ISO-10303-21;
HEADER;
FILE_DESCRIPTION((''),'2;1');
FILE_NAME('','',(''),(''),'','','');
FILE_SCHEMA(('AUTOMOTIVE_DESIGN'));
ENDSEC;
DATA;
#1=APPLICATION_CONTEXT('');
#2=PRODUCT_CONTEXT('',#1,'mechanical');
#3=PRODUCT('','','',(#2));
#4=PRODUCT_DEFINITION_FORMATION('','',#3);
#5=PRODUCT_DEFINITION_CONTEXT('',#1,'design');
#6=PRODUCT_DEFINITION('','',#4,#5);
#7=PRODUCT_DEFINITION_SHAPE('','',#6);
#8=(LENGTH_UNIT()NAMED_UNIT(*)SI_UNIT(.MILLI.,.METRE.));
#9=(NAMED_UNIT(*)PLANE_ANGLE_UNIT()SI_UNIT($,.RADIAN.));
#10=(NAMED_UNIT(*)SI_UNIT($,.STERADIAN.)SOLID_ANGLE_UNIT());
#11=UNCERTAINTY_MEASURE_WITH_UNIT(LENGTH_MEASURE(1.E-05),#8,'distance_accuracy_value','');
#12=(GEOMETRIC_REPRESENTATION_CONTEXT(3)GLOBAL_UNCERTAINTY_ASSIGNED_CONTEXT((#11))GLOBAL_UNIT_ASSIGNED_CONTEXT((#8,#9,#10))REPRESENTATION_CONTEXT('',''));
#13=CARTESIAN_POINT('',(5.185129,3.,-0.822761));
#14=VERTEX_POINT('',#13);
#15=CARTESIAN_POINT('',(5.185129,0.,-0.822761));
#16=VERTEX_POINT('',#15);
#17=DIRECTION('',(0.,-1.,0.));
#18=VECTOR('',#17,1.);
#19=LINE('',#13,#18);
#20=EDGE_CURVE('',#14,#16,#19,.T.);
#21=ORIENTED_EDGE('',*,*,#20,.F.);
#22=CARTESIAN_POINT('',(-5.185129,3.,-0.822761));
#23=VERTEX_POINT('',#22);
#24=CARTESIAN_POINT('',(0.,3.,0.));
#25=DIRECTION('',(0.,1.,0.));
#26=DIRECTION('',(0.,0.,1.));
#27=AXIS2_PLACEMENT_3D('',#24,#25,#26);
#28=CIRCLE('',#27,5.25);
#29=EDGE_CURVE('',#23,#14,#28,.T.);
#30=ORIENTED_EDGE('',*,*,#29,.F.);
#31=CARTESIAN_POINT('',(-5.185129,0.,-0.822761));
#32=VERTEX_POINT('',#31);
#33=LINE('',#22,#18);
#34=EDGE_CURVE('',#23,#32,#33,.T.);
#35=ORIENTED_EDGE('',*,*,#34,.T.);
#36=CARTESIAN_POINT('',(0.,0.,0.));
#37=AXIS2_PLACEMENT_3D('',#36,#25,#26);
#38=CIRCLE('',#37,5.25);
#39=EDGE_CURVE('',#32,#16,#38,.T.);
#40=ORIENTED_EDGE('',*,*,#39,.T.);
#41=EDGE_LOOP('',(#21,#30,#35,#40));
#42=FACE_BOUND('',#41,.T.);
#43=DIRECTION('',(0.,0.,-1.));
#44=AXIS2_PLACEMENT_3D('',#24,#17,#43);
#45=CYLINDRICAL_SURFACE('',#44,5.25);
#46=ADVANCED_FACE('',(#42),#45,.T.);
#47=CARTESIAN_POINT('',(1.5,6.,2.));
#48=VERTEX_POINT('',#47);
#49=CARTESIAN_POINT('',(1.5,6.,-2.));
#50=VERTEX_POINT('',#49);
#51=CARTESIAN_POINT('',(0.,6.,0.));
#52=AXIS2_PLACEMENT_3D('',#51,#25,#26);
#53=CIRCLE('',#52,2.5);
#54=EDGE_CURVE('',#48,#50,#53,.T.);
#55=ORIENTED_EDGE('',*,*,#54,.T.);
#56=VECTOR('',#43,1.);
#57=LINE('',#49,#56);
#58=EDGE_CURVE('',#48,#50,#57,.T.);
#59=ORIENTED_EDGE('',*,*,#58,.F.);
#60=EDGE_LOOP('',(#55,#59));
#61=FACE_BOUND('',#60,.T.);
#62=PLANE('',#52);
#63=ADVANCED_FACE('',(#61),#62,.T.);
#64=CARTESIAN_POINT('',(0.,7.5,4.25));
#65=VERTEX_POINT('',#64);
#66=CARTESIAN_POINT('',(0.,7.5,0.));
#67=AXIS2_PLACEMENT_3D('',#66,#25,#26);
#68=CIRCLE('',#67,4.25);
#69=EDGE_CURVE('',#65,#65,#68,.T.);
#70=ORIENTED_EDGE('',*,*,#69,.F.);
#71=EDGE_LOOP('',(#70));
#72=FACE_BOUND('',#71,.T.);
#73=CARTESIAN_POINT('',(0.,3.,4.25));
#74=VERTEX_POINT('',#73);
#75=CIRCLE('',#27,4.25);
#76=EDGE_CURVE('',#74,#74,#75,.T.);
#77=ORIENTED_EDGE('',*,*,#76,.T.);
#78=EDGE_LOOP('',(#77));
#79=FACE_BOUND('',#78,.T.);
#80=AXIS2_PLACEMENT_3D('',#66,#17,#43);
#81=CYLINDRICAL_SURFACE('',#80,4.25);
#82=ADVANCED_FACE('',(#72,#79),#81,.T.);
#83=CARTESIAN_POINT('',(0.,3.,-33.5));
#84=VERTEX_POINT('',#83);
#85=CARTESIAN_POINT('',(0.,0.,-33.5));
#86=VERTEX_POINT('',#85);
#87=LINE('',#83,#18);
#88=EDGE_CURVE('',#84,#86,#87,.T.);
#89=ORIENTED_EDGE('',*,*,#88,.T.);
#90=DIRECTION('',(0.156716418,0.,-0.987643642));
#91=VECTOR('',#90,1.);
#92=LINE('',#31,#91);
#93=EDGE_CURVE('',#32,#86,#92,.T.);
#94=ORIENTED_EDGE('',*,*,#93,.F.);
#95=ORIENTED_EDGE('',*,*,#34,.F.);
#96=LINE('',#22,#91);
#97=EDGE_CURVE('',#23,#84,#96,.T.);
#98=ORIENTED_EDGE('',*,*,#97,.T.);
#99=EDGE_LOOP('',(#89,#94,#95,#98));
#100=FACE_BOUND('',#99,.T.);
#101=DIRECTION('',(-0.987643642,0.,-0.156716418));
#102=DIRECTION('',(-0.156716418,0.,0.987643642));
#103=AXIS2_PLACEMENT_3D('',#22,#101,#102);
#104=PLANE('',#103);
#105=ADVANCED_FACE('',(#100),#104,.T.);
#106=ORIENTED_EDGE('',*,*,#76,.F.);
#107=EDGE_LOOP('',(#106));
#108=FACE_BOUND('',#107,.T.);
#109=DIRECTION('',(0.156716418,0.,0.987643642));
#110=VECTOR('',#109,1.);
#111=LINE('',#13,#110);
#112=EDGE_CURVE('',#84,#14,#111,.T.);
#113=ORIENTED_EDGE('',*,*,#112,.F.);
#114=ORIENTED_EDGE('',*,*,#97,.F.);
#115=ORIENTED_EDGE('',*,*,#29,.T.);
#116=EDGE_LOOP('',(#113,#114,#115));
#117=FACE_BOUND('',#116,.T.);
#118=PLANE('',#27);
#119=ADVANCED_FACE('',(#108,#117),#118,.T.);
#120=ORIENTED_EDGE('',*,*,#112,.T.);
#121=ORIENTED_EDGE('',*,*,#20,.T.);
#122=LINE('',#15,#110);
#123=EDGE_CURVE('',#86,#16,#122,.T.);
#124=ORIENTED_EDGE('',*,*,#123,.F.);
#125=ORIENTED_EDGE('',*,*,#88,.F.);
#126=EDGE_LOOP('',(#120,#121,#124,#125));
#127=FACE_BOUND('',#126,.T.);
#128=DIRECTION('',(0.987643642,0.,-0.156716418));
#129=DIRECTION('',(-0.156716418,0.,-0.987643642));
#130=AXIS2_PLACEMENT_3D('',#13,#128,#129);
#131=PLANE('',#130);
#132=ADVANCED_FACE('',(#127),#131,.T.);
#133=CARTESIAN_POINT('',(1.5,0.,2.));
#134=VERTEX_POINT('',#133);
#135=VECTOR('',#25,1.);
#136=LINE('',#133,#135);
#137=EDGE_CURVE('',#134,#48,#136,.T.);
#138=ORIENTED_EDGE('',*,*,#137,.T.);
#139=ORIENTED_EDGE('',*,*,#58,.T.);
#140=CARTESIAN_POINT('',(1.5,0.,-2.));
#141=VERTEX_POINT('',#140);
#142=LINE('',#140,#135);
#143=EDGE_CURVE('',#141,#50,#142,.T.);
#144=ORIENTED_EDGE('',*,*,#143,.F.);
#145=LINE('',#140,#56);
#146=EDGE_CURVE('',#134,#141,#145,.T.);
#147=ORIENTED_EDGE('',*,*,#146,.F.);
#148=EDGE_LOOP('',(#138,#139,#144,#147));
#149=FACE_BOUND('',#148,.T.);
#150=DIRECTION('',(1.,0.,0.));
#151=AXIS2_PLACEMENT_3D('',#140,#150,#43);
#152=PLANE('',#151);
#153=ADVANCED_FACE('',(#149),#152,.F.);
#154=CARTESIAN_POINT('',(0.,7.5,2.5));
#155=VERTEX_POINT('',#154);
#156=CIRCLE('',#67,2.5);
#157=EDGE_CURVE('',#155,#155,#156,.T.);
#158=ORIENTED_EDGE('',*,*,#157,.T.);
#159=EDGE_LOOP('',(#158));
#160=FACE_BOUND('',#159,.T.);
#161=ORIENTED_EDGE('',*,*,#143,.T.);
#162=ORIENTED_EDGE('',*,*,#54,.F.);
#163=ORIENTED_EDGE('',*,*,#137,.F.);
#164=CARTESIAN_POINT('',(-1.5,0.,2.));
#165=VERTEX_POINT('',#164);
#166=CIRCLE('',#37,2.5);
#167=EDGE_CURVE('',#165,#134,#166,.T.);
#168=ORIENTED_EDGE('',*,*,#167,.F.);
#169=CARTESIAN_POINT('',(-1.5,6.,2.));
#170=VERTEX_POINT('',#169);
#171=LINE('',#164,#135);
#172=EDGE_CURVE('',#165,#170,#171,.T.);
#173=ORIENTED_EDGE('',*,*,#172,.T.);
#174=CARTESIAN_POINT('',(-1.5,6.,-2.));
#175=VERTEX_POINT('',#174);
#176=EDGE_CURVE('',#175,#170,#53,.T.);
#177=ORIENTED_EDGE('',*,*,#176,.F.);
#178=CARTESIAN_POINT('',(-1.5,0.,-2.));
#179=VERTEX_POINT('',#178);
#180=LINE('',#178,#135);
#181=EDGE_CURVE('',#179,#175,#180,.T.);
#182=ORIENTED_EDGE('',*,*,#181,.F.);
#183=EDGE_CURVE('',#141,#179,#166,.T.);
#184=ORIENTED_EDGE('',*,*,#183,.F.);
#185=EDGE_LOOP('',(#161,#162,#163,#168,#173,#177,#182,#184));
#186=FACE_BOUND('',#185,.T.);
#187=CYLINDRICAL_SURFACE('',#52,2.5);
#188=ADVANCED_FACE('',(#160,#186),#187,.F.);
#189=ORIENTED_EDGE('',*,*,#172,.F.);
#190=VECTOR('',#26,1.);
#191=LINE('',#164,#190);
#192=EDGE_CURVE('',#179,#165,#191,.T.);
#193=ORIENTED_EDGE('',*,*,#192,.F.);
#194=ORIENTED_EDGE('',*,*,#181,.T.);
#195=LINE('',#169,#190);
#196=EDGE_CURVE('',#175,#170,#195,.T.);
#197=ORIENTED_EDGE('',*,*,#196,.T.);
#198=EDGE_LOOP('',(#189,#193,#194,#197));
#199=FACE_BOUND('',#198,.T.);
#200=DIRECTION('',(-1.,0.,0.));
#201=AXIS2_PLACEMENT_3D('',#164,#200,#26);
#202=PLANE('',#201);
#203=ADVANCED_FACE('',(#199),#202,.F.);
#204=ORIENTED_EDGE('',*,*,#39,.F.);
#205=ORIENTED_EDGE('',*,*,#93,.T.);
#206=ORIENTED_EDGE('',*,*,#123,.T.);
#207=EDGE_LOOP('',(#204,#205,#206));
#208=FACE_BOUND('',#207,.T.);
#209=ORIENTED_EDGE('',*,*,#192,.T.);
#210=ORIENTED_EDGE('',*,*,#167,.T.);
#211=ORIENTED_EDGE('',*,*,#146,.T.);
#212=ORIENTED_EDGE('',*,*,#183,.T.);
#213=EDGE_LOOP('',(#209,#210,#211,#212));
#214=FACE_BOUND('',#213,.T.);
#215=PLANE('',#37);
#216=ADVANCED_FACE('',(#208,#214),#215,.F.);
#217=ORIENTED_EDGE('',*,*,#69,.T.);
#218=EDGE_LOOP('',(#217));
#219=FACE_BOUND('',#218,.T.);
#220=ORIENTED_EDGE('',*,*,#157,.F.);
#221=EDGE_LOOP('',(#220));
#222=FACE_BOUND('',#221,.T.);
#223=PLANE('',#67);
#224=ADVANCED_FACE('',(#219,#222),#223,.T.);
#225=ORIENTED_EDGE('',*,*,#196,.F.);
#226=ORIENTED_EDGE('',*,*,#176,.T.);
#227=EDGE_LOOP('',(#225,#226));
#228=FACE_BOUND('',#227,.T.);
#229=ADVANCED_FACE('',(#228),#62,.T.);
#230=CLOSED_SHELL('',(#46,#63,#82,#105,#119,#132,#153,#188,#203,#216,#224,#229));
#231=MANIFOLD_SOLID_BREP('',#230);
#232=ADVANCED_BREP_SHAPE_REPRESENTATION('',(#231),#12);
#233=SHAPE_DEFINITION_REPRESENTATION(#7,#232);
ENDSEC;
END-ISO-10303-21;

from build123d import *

# Parameters (mm, degrees)
SKETCH5_R           = 4.25
BOSS_EXTRUDE3_DEPTH = 7.5
SKETCH7_R           = 2.5
CUT_EXTRUDE2_DEPTH  = 1.5
CUT_EXTRUDE3_DEPTH  = 6
SKETCH9_R           = 5.25
BOSS_EXTRUDE4_DEPTH = 3


with BuildPart() as part:
    # Sketch5 → Boss-Extrude3 (new body)
    with BuildSketch(Plane(origin=(0, 0, 0), x_dir=(1, 0, 0), z_dir=(0, 1, 0))):
        Circle(SKETCH5_R)
    extrude(amount=BOSS_EXTRUDE3_DEPTH)

    # Sketch7 → Cut-Extrude2 (cut)
    with BuildSketch(Plane(origin=(0, 7.5, 0), x_dir=(1, 0, 0), z_dir=(0, 1, 0))):
        Circle(SKETCH7_R)
    extrude(amount=-CUT_EXTRUDE2_DEPTH, mode=Mode.SUBTRACT)

    # Sketch8 → Cut-Extrude3 (cut)
    with BuildSketch(Plane(origin=(0, 6, 0), x_dir=(1, 0, 0), z_dir=(0, 1, 0))):
        with BuildLine():
            Line((-1.5, -2), (-1.5, 2))
            ThreePointArc((-1.5, 2), (0, 2.5), (1.5, 2))
            Line((1.5, 2), (1.5, -2))
            ThreePointArc((1.5, -2), (0, -2.5), (-1.5, -2))
        make_face()
    extrude(amount=-CUT_EXTRUDE3_DEPTH, mode=Mode.SUBTRACT)

    # Sketch9 → Boss-Extrude4 (add)
    with BuildSketch(Plane(origin=(0, 0, 0), x_dir=(1, 0, 0), z_dir=(0, 1, 0))):
        with BuildLine():
            Line((0, 33.5), (-5.185129123, 0.822761194))
            ThreePointArc((-5.185129123, 0.822761194), (0, 5.25), (5.185129123, 0.822761194))
            Line((5.185129123, 0.822761194), (0, 33.5))
        make_face()
        Circle(SKETCH9_R)
        with BuildLine():
            ThreePointArc((1.5, 2), (0, 2.5), (-1.5, 2))
            Line((-1.5, 2), (-1.5, -2))
            ThreePointArc((-1.5, -2), (0, -2.5), (1.5, -2))
            Line((1.5, -2), (1.5, 2))
        make_face(mode=Mode.SUBTRACT)
    extrude(amount=BOSS_EXTRUDE4_DEPTH)


solid = part.part
